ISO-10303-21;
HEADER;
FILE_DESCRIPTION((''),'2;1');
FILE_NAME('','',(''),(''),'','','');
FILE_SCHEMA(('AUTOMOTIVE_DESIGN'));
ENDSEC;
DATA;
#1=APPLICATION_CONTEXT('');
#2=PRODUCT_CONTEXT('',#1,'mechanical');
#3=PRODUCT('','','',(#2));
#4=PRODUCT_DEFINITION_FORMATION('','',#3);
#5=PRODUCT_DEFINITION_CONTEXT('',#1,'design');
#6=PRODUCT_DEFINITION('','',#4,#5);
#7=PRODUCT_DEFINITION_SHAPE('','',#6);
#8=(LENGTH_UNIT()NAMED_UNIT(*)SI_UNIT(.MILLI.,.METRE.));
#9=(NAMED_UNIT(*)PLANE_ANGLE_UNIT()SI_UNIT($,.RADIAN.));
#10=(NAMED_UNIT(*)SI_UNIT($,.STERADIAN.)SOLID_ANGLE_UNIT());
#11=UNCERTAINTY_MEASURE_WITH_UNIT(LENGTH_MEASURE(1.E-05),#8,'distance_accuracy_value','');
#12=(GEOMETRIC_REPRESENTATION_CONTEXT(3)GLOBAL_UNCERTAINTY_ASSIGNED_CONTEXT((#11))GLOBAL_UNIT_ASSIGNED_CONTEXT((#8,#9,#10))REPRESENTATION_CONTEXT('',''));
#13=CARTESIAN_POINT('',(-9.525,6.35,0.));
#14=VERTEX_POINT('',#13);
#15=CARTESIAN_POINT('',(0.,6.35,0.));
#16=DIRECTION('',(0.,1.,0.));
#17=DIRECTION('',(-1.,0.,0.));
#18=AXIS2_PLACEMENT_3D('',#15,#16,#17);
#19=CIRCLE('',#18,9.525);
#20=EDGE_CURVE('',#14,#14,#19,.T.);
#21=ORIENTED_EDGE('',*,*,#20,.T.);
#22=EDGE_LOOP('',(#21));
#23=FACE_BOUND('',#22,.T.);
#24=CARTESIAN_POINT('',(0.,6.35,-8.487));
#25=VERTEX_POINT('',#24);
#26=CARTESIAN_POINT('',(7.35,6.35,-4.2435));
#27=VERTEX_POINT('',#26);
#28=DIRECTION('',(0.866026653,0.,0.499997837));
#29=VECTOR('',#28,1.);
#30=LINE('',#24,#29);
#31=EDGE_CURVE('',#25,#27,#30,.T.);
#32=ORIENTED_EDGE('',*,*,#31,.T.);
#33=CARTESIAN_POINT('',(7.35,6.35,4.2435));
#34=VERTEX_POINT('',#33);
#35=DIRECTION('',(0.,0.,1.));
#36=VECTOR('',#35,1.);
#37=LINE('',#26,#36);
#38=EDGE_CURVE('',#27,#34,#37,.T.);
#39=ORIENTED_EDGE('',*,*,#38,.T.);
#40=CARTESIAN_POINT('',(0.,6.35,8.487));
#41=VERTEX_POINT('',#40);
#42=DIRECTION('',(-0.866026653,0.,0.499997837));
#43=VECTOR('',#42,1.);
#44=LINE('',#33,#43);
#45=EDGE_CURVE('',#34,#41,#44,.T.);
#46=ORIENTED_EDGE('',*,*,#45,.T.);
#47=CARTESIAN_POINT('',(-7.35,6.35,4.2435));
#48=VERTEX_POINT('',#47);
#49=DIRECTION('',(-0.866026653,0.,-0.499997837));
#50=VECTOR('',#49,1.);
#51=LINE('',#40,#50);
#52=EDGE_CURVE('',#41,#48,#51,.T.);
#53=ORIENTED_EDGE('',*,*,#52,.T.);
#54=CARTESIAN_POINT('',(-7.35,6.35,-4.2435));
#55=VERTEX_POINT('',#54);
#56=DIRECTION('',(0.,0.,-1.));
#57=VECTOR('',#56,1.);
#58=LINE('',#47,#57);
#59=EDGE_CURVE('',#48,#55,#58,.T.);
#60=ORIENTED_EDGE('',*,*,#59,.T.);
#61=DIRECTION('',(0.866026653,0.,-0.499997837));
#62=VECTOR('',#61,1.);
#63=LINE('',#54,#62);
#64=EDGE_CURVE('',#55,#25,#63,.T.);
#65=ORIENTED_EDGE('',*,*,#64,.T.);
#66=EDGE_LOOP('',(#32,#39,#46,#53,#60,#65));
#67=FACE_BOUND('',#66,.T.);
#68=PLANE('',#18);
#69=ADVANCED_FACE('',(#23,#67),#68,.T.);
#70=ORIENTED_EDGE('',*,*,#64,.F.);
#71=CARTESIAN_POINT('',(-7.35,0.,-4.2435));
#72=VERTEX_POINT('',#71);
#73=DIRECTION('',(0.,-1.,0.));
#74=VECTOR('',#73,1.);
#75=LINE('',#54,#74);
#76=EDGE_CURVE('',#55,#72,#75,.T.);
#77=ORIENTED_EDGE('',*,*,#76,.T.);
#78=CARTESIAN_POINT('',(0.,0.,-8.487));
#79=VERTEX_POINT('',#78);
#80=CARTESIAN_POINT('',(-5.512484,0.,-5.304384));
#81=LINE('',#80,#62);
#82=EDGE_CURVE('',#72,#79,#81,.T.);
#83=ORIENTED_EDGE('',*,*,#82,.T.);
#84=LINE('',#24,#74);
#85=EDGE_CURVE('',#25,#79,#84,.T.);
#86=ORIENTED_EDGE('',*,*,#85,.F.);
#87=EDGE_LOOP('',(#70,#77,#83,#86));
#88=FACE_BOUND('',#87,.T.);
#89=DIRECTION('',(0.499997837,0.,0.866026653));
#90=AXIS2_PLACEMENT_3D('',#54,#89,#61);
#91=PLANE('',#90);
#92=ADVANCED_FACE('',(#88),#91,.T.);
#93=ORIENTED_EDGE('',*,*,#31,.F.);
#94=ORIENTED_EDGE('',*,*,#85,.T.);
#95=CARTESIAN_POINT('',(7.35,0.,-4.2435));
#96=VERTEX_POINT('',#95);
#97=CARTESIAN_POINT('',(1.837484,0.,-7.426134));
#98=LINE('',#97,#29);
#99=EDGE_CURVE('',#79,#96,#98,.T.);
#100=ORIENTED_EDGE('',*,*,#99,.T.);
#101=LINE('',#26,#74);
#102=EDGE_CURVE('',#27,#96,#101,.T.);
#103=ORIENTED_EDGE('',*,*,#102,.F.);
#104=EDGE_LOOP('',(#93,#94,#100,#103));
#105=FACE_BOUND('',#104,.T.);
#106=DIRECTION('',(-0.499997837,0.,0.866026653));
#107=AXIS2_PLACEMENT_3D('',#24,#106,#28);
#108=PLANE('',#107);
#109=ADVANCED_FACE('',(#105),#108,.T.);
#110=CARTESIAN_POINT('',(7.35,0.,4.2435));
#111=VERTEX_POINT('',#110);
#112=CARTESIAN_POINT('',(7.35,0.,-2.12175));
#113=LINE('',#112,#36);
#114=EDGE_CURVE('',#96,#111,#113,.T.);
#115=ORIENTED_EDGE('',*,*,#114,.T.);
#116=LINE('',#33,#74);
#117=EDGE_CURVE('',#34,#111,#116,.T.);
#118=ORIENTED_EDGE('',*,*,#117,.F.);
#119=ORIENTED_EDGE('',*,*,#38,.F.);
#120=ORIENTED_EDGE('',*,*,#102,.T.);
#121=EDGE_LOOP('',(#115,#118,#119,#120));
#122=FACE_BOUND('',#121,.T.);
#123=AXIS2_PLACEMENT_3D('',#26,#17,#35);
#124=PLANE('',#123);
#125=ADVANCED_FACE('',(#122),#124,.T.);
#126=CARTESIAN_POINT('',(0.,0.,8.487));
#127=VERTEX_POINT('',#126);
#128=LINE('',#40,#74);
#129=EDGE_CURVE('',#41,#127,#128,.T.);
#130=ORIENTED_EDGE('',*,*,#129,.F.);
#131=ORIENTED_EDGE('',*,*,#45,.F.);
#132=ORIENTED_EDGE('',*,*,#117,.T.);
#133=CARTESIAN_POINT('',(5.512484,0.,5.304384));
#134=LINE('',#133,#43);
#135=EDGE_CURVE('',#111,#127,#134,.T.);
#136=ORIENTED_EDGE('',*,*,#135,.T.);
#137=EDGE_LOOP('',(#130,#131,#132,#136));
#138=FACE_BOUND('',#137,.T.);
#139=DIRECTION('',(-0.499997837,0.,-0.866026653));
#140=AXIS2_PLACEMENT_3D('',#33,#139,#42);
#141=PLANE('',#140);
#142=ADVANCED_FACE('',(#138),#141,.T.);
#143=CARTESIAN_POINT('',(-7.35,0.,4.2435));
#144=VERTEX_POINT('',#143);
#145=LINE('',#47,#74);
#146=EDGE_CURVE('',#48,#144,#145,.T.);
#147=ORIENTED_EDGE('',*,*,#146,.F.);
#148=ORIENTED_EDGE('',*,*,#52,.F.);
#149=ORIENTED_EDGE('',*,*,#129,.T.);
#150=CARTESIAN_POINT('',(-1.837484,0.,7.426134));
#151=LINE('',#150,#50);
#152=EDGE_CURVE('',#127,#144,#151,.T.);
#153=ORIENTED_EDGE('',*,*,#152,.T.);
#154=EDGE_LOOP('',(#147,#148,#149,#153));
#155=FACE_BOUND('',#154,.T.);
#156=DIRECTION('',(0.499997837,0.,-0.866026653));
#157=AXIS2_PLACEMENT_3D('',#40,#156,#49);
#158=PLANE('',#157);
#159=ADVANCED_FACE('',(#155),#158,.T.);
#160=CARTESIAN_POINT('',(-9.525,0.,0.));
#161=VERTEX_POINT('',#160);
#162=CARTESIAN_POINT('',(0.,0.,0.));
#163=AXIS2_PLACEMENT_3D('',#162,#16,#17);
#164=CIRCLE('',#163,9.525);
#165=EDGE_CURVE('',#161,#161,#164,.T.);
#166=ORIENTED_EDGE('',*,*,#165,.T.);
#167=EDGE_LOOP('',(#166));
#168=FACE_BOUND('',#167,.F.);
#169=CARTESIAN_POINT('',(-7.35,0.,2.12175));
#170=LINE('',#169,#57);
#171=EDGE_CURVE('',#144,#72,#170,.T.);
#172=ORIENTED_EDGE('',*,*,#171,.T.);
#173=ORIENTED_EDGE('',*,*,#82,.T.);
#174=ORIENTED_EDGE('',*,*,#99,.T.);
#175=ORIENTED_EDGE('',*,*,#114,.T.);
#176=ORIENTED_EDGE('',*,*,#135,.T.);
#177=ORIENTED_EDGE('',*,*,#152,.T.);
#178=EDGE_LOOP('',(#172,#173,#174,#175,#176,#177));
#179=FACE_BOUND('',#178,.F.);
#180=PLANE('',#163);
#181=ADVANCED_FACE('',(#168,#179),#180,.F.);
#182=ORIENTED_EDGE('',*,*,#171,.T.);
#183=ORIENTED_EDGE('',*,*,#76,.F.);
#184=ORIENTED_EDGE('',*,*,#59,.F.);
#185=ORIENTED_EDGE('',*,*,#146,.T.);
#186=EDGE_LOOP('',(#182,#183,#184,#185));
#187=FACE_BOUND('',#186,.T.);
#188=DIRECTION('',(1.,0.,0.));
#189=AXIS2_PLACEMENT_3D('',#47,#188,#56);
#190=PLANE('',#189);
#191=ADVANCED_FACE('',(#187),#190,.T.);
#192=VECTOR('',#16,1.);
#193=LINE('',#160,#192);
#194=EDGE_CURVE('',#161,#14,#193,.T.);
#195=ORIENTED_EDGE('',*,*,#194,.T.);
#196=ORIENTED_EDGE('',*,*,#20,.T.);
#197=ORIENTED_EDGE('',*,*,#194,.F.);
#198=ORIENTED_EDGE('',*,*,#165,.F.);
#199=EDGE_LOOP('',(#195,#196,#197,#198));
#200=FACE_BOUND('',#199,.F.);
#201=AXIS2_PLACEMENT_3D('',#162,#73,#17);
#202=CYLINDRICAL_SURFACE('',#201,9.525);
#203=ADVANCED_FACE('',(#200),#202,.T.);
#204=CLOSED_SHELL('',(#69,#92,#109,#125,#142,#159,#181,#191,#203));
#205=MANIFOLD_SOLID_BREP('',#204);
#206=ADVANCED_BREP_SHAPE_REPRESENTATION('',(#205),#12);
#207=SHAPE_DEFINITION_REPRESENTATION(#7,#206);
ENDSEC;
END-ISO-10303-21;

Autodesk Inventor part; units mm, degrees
ref_plane "YZ Plane" through (0, 0, 0) normal (1, 0, 0) x (0, 1, 0)
ref_plane "XZ Plane" through (0, 0, 0) normal (0, 1, 0) x (-1, 0, 0)
ref_plane "XY Plane" through (0, 0, 0) normal (0, 0, 1) x (1, 0, 0)
sketch "Sketch1" plane through (0, 0, 0) normal (0, 1, 0) x (-1, 0, 0)
  circle A0 centre (0, 0) radius 6.35 construction
  line L0 (6.35, -3.6662) -> (0, -7.3323)
  line L1 (0, -7.3323) -> (-6.35, -3.6662)
  line L2 (-6.35, -3.6662) -> (-6.35, 3.6662)
  line L3 (-6.35, 3.6662) -> (0, 7.3323)
  line L4 (0, 7.3323) -> (6.35, 3.6662)
  line L5 (6.35, 3.6662) -> (6.35, -3.6662)
  circle A1 centre (0, 0) radius 9.525
  point P0 (6.35, 0)
  dimension "d0" = 12.7
  dimension "d1" = 19.05
extrude "Extrusion1" add sketch "Sketch1" along normal blind 6.35
sketch "Sketch2" plane through (0, 6.35, 0) normal (0, 1, 0) x (1, 0, 0)
  line L0 (-6.35, 3.6662) -> (0, 7.3323) projected
  line L1 (0, 7.3323) -> (6.35, 3.6662) projected
  line L2 (-6.35, -3.6662) -> (-6.35, 3.6662) projected
  line L3 (0, -7.3323) -> (-6.35, -3.6662) projected
  line L4 (6.35, -3.6662) -> (0, -7.3323) projected
  line L5 (6.35, 3.6662) -> (6.35, -3.6662) projected
  line L6 (-7.35, 4.2435) -> (0, 8.487)
  line L7 (0, 8.487) -> (7.35, 4.2435)
  line L8 (7.35, 4.2435) -> (7.35, -4.2435)
  line L9 (7.35, -4.2435) -> (0, -8.487)
  line L10 (0, -8.487) -> (-7.35, -4.2435)
  line L11 (-7.35, -4.2435) -> (-7.35, 4.2435)
  point P0 (0, 0)
  dimension "d4" = 1
extrude "Extrusion2" cut sketch "Sketch2" against normal blind 25.4 contours L0 L1 L5 L4 L3 L2 | L6 L7 L8 L9 L10 L11
properties part number "SportGearbox_HexDiffGearSpacer"
